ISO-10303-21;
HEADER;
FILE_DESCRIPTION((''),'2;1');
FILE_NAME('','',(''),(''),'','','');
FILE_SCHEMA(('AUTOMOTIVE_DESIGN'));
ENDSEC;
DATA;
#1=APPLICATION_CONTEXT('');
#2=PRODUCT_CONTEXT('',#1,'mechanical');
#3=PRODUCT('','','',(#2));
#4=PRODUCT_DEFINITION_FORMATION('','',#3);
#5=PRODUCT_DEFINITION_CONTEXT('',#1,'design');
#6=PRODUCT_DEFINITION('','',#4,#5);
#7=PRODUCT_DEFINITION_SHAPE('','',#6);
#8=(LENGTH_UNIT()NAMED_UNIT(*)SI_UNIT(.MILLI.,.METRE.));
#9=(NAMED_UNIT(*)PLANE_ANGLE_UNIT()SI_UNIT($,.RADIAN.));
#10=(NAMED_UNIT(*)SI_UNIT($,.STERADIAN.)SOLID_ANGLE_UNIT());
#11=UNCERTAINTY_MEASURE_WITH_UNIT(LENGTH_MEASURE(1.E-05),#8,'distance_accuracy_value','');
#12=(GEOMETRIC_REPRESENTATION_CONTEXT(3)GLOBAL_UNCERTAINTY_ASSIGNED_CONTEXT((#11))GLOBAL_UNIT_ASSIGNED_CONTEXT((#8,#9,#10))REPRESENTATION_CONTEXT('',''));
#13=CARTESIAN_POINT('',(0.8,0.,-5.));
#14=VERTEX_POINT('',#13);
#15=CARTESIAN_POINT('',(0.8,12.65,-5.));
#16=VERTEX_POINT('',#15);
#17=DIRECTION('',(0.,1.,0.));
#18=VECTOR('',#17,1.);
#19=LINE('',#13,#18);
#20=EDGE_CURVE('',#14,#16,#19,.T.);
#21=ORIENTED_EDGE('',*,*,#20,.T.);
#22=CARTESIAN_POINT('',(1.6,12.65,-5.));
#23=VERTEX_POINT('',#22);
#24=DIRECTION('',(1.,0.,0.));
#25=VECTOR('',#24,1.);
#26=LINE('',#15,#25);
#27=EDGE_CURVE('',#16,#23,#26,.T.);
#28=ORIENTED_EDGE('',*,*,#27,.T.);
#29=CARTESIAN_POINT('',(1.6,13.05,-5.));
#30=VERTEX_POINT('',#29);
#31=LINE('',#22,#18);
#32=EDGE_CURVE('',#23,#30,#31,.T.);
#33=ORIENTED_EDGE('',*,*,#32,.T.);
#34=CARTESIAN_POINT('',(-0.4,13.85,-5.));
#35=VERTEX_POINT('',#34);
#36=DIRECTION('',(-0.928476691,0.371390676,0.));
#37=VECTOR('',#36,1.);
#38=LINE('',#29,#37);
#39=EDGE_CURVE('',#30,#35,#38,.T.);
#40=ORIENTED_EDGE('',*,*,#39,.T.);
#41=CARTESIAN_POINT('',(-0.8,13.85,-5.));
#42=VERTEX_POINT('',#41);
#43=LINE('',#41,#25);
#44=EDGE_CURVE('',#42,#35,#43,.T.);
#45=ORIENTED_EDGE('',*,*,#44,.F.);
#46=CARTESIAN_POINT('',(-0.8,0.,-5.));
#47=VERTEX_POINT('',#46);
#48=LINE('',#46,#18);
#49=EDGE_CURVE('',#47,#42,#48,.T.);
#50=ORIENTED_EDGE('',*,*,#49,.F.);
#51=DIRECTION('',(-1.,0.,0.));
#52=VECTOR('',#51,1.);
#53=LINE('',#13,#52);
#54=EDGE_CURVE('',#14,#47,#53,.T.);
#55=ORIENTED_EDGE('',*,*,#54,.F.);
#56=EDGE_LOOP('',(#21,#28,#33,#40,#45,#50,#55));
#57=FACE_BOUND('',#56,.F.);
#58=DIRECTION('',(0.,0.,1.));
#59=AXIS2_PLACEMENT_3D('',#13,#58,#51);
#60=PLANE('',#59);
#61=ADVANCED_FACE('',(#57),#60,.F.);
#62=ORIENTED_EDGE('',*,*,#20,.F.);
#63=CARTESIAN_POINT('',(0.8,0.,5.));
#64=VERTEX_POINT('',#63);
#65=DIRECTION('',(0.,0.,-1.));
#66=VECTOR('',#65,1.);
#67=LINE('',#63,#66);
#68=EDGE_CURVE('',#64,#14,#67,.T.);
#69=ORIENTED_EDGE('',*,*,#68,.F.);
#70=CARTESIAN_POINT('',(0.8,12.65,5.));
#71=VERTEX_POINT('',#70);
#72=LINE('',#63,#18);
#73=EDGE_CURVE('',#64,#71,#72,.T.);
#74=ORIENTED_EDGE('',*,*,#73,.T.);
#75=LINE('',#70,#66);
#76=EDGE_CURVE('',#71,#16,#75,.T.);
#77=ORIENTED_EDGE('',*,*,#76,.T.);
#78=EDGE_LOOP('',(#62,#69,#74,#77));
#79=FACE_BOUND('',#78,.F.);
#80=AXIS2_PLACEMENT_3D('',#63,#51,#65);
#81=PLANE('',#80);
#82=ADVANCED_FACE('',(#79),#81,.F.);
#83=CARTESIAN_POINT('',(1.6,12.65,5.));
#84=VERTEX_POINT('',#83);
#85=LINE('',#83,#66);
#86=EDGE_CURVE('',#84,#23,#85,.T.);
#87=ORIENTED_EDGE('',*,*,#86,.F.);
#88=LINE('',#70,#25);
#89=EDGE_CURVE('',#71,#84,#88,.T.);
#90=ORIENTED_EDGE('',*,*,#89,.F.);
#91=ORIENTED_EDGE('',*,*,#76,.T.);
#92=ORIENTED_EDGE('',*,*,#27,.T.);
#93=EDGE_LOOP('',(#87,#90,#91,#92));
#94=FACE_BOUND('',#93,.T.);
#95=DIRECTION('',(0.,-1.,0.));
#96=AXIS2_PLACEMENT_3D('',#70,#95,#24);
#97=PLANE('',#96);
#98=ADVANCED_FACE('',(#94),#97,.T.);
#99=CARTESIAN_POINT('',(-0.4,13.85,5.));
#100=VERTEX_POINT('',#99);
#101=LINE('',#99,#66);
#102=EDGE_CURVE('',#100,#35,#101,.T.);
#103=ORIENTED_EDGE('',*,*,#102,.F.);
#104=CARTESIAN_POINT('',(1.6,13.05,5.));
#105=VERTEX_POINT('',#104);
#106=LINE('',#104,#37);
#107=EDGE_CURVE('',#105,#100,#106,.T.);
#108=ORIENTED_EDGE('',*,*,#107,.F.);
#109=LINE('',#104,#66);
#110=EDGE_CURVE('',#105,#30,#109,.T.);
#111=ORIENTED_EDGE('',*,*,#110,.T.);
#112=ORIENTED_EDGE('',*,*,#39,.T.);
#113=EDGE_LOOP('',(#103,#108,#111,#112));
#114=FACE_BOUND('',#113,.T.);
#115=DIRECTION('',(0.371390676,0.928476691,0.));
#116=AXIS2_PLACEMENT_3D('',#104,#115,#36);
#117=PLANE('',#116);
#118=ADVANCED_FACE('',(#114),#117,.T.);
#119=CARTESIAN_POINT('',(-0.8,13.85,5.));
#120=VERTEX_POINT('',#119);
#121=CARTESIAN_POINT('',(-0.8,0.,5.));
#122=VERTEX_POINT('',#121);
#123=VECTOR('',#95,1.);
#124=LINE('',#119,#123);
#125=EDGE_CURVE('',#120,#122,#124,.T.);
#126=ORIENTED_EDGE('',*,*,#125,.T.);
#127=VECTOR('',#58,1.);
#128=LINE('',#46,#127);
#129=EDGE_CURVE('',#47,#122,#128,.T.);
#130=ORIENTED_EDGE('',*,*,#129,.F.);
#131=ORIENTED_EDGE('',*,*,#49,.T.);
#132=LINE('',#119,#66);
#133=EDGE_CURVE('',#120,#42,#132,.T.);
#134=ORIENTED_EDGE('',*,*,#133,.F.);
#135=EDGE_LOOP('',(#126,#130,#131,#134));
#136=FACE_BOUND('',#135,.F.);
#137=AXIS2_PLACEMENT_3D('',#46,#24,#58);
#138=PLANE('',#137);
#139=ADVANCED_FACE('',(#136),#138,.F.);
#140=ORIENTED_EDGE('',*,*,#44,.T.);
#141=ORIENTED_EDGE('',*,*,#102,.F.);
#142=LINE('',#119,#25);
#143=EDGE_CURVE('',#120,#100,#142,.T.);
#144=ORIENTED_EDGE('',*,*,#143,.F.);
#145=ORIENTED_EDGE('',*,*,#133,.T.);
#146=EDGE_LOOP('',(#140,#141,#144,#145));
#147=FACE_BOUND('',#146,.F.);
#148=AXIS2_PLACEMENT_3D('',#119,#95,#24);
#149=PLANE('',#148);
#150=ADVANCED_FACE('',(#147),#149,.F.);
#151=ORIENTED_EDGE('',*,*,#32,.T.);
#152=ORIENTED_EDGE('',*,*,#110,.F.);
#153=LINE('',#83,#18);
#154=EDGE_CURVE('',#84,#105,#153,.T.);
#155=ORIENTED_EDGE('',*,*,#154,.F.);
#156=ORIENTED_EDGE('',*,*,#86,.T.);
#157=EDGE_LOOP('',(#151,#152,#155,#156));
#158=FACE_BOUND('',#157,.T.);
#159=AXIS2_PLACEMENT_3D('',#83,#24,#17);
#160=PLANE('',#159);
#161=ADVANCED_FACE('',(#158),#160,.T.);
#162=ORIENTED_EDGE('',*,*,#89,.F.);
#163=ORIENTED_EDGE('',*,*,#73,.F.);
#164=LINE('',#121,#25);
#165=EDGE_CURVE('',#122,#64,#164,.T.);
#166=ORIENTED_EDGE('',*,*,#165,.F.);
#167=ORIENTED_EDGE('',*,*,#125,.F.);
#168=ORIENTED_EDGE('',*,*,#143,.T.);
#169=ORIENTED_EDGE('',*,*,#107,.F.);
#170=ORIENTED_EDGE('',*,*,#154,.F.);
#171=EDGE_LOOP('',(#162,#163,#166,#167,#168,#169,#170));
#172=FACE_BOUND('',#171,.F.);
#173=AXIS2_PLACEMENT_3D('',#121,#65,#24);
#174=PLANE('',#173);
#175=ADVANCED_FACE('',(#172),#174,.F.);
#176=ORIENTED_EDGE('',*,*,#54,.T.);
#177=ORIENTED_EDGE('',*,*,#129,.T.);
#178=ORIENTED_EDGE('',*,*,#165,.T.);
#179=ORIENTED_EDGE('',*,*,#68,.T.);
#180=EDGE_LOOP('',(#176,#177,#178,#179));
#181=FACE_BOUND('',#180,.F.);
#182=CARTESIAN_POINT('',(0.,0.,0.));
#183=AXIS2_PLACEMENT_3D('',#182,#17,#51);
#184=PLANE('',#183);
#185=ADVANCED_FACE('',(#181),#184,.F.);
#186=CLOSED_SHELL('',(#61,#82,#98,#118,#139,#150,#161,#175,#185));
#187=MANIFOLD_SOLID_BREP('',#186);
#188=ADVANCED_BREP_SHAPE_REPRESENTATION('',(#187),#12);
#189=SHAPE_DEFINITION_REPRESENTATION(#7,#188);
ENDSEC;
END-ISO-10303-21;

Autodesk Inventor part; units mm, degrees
ref_plane "YZ Plane" through (0, 0, 0) normal (1, 0, 0) x (0, 1, 0)
ref_plane "XZ Plane" through (0, 0, 0) normal (0, 1, 0) x (-1, 0, 0)
ref_plane "XY Plane" through (0, 0, 0) normal (0, 0, 1) x (1, 0, 0)
sketch "Sketch1" plane through (0, 0, 0) normal (0, 1, 0) x (-1, 0, 0)
  line L0 (-0.8, -5) -> (0.8, -5)
  line L1 (0.8, -5) -> (0.8, 5)
  line L2 (0.8, 5) -> (-0.8, 5)
  line L3 (-0.8, 5) -> (-0.8, -5)
  line L4 (-0.8, -5) -> (0.8, 5) construction
  line L5 (0.8, -5) -> (-0.8, 5) construction
  point P0 (0, 0)
  dimension "length" = 10
  dimension "width" = 1.6
extrude "Extrusion1" add sketch "Sketch1" along normal blind 12.65
sketch "Sketch3" plane through (-0.8, 0, 5) normal (0, 0, 1) x (1, 0, 0)
  line L0 (1.6, 12.65) -> (2.4, 12.65)
  line L1 (1.6, 0) -> (1.6, 12.65)
  line L2 (2.4, 12.65) -> (2.4, 13.05)
  line L3 (0, 13.85) -> (0.4, 13.85)
  line L4 (2.4, 13.05) -> (0.4, 13.85)
  line L5 (0, 0) -> (0, 12.65) projected
  line L6 (0, 0) -> (0, 12.65) projected
  line L7 (0, 13.85) -> (0, 12.65)
  line L8 (0, 12.65) -> (1.6, 12.65)
  line L9 (1.6, 0) -> (1.6, 12.65) projected
  point P0 (0.8, 0)
  dimension "fixer" = 0.8
  dimension "d8" = 0.4
  dimension "d11" = 0.4
  dimension "d12" = 1.2
extrude "Extrusion2" add sketch "Sketch3" against normal blind 10
equation "\"d6\" = length"
equation "\"TOL\" = 0.15"
properties part number "straight"
